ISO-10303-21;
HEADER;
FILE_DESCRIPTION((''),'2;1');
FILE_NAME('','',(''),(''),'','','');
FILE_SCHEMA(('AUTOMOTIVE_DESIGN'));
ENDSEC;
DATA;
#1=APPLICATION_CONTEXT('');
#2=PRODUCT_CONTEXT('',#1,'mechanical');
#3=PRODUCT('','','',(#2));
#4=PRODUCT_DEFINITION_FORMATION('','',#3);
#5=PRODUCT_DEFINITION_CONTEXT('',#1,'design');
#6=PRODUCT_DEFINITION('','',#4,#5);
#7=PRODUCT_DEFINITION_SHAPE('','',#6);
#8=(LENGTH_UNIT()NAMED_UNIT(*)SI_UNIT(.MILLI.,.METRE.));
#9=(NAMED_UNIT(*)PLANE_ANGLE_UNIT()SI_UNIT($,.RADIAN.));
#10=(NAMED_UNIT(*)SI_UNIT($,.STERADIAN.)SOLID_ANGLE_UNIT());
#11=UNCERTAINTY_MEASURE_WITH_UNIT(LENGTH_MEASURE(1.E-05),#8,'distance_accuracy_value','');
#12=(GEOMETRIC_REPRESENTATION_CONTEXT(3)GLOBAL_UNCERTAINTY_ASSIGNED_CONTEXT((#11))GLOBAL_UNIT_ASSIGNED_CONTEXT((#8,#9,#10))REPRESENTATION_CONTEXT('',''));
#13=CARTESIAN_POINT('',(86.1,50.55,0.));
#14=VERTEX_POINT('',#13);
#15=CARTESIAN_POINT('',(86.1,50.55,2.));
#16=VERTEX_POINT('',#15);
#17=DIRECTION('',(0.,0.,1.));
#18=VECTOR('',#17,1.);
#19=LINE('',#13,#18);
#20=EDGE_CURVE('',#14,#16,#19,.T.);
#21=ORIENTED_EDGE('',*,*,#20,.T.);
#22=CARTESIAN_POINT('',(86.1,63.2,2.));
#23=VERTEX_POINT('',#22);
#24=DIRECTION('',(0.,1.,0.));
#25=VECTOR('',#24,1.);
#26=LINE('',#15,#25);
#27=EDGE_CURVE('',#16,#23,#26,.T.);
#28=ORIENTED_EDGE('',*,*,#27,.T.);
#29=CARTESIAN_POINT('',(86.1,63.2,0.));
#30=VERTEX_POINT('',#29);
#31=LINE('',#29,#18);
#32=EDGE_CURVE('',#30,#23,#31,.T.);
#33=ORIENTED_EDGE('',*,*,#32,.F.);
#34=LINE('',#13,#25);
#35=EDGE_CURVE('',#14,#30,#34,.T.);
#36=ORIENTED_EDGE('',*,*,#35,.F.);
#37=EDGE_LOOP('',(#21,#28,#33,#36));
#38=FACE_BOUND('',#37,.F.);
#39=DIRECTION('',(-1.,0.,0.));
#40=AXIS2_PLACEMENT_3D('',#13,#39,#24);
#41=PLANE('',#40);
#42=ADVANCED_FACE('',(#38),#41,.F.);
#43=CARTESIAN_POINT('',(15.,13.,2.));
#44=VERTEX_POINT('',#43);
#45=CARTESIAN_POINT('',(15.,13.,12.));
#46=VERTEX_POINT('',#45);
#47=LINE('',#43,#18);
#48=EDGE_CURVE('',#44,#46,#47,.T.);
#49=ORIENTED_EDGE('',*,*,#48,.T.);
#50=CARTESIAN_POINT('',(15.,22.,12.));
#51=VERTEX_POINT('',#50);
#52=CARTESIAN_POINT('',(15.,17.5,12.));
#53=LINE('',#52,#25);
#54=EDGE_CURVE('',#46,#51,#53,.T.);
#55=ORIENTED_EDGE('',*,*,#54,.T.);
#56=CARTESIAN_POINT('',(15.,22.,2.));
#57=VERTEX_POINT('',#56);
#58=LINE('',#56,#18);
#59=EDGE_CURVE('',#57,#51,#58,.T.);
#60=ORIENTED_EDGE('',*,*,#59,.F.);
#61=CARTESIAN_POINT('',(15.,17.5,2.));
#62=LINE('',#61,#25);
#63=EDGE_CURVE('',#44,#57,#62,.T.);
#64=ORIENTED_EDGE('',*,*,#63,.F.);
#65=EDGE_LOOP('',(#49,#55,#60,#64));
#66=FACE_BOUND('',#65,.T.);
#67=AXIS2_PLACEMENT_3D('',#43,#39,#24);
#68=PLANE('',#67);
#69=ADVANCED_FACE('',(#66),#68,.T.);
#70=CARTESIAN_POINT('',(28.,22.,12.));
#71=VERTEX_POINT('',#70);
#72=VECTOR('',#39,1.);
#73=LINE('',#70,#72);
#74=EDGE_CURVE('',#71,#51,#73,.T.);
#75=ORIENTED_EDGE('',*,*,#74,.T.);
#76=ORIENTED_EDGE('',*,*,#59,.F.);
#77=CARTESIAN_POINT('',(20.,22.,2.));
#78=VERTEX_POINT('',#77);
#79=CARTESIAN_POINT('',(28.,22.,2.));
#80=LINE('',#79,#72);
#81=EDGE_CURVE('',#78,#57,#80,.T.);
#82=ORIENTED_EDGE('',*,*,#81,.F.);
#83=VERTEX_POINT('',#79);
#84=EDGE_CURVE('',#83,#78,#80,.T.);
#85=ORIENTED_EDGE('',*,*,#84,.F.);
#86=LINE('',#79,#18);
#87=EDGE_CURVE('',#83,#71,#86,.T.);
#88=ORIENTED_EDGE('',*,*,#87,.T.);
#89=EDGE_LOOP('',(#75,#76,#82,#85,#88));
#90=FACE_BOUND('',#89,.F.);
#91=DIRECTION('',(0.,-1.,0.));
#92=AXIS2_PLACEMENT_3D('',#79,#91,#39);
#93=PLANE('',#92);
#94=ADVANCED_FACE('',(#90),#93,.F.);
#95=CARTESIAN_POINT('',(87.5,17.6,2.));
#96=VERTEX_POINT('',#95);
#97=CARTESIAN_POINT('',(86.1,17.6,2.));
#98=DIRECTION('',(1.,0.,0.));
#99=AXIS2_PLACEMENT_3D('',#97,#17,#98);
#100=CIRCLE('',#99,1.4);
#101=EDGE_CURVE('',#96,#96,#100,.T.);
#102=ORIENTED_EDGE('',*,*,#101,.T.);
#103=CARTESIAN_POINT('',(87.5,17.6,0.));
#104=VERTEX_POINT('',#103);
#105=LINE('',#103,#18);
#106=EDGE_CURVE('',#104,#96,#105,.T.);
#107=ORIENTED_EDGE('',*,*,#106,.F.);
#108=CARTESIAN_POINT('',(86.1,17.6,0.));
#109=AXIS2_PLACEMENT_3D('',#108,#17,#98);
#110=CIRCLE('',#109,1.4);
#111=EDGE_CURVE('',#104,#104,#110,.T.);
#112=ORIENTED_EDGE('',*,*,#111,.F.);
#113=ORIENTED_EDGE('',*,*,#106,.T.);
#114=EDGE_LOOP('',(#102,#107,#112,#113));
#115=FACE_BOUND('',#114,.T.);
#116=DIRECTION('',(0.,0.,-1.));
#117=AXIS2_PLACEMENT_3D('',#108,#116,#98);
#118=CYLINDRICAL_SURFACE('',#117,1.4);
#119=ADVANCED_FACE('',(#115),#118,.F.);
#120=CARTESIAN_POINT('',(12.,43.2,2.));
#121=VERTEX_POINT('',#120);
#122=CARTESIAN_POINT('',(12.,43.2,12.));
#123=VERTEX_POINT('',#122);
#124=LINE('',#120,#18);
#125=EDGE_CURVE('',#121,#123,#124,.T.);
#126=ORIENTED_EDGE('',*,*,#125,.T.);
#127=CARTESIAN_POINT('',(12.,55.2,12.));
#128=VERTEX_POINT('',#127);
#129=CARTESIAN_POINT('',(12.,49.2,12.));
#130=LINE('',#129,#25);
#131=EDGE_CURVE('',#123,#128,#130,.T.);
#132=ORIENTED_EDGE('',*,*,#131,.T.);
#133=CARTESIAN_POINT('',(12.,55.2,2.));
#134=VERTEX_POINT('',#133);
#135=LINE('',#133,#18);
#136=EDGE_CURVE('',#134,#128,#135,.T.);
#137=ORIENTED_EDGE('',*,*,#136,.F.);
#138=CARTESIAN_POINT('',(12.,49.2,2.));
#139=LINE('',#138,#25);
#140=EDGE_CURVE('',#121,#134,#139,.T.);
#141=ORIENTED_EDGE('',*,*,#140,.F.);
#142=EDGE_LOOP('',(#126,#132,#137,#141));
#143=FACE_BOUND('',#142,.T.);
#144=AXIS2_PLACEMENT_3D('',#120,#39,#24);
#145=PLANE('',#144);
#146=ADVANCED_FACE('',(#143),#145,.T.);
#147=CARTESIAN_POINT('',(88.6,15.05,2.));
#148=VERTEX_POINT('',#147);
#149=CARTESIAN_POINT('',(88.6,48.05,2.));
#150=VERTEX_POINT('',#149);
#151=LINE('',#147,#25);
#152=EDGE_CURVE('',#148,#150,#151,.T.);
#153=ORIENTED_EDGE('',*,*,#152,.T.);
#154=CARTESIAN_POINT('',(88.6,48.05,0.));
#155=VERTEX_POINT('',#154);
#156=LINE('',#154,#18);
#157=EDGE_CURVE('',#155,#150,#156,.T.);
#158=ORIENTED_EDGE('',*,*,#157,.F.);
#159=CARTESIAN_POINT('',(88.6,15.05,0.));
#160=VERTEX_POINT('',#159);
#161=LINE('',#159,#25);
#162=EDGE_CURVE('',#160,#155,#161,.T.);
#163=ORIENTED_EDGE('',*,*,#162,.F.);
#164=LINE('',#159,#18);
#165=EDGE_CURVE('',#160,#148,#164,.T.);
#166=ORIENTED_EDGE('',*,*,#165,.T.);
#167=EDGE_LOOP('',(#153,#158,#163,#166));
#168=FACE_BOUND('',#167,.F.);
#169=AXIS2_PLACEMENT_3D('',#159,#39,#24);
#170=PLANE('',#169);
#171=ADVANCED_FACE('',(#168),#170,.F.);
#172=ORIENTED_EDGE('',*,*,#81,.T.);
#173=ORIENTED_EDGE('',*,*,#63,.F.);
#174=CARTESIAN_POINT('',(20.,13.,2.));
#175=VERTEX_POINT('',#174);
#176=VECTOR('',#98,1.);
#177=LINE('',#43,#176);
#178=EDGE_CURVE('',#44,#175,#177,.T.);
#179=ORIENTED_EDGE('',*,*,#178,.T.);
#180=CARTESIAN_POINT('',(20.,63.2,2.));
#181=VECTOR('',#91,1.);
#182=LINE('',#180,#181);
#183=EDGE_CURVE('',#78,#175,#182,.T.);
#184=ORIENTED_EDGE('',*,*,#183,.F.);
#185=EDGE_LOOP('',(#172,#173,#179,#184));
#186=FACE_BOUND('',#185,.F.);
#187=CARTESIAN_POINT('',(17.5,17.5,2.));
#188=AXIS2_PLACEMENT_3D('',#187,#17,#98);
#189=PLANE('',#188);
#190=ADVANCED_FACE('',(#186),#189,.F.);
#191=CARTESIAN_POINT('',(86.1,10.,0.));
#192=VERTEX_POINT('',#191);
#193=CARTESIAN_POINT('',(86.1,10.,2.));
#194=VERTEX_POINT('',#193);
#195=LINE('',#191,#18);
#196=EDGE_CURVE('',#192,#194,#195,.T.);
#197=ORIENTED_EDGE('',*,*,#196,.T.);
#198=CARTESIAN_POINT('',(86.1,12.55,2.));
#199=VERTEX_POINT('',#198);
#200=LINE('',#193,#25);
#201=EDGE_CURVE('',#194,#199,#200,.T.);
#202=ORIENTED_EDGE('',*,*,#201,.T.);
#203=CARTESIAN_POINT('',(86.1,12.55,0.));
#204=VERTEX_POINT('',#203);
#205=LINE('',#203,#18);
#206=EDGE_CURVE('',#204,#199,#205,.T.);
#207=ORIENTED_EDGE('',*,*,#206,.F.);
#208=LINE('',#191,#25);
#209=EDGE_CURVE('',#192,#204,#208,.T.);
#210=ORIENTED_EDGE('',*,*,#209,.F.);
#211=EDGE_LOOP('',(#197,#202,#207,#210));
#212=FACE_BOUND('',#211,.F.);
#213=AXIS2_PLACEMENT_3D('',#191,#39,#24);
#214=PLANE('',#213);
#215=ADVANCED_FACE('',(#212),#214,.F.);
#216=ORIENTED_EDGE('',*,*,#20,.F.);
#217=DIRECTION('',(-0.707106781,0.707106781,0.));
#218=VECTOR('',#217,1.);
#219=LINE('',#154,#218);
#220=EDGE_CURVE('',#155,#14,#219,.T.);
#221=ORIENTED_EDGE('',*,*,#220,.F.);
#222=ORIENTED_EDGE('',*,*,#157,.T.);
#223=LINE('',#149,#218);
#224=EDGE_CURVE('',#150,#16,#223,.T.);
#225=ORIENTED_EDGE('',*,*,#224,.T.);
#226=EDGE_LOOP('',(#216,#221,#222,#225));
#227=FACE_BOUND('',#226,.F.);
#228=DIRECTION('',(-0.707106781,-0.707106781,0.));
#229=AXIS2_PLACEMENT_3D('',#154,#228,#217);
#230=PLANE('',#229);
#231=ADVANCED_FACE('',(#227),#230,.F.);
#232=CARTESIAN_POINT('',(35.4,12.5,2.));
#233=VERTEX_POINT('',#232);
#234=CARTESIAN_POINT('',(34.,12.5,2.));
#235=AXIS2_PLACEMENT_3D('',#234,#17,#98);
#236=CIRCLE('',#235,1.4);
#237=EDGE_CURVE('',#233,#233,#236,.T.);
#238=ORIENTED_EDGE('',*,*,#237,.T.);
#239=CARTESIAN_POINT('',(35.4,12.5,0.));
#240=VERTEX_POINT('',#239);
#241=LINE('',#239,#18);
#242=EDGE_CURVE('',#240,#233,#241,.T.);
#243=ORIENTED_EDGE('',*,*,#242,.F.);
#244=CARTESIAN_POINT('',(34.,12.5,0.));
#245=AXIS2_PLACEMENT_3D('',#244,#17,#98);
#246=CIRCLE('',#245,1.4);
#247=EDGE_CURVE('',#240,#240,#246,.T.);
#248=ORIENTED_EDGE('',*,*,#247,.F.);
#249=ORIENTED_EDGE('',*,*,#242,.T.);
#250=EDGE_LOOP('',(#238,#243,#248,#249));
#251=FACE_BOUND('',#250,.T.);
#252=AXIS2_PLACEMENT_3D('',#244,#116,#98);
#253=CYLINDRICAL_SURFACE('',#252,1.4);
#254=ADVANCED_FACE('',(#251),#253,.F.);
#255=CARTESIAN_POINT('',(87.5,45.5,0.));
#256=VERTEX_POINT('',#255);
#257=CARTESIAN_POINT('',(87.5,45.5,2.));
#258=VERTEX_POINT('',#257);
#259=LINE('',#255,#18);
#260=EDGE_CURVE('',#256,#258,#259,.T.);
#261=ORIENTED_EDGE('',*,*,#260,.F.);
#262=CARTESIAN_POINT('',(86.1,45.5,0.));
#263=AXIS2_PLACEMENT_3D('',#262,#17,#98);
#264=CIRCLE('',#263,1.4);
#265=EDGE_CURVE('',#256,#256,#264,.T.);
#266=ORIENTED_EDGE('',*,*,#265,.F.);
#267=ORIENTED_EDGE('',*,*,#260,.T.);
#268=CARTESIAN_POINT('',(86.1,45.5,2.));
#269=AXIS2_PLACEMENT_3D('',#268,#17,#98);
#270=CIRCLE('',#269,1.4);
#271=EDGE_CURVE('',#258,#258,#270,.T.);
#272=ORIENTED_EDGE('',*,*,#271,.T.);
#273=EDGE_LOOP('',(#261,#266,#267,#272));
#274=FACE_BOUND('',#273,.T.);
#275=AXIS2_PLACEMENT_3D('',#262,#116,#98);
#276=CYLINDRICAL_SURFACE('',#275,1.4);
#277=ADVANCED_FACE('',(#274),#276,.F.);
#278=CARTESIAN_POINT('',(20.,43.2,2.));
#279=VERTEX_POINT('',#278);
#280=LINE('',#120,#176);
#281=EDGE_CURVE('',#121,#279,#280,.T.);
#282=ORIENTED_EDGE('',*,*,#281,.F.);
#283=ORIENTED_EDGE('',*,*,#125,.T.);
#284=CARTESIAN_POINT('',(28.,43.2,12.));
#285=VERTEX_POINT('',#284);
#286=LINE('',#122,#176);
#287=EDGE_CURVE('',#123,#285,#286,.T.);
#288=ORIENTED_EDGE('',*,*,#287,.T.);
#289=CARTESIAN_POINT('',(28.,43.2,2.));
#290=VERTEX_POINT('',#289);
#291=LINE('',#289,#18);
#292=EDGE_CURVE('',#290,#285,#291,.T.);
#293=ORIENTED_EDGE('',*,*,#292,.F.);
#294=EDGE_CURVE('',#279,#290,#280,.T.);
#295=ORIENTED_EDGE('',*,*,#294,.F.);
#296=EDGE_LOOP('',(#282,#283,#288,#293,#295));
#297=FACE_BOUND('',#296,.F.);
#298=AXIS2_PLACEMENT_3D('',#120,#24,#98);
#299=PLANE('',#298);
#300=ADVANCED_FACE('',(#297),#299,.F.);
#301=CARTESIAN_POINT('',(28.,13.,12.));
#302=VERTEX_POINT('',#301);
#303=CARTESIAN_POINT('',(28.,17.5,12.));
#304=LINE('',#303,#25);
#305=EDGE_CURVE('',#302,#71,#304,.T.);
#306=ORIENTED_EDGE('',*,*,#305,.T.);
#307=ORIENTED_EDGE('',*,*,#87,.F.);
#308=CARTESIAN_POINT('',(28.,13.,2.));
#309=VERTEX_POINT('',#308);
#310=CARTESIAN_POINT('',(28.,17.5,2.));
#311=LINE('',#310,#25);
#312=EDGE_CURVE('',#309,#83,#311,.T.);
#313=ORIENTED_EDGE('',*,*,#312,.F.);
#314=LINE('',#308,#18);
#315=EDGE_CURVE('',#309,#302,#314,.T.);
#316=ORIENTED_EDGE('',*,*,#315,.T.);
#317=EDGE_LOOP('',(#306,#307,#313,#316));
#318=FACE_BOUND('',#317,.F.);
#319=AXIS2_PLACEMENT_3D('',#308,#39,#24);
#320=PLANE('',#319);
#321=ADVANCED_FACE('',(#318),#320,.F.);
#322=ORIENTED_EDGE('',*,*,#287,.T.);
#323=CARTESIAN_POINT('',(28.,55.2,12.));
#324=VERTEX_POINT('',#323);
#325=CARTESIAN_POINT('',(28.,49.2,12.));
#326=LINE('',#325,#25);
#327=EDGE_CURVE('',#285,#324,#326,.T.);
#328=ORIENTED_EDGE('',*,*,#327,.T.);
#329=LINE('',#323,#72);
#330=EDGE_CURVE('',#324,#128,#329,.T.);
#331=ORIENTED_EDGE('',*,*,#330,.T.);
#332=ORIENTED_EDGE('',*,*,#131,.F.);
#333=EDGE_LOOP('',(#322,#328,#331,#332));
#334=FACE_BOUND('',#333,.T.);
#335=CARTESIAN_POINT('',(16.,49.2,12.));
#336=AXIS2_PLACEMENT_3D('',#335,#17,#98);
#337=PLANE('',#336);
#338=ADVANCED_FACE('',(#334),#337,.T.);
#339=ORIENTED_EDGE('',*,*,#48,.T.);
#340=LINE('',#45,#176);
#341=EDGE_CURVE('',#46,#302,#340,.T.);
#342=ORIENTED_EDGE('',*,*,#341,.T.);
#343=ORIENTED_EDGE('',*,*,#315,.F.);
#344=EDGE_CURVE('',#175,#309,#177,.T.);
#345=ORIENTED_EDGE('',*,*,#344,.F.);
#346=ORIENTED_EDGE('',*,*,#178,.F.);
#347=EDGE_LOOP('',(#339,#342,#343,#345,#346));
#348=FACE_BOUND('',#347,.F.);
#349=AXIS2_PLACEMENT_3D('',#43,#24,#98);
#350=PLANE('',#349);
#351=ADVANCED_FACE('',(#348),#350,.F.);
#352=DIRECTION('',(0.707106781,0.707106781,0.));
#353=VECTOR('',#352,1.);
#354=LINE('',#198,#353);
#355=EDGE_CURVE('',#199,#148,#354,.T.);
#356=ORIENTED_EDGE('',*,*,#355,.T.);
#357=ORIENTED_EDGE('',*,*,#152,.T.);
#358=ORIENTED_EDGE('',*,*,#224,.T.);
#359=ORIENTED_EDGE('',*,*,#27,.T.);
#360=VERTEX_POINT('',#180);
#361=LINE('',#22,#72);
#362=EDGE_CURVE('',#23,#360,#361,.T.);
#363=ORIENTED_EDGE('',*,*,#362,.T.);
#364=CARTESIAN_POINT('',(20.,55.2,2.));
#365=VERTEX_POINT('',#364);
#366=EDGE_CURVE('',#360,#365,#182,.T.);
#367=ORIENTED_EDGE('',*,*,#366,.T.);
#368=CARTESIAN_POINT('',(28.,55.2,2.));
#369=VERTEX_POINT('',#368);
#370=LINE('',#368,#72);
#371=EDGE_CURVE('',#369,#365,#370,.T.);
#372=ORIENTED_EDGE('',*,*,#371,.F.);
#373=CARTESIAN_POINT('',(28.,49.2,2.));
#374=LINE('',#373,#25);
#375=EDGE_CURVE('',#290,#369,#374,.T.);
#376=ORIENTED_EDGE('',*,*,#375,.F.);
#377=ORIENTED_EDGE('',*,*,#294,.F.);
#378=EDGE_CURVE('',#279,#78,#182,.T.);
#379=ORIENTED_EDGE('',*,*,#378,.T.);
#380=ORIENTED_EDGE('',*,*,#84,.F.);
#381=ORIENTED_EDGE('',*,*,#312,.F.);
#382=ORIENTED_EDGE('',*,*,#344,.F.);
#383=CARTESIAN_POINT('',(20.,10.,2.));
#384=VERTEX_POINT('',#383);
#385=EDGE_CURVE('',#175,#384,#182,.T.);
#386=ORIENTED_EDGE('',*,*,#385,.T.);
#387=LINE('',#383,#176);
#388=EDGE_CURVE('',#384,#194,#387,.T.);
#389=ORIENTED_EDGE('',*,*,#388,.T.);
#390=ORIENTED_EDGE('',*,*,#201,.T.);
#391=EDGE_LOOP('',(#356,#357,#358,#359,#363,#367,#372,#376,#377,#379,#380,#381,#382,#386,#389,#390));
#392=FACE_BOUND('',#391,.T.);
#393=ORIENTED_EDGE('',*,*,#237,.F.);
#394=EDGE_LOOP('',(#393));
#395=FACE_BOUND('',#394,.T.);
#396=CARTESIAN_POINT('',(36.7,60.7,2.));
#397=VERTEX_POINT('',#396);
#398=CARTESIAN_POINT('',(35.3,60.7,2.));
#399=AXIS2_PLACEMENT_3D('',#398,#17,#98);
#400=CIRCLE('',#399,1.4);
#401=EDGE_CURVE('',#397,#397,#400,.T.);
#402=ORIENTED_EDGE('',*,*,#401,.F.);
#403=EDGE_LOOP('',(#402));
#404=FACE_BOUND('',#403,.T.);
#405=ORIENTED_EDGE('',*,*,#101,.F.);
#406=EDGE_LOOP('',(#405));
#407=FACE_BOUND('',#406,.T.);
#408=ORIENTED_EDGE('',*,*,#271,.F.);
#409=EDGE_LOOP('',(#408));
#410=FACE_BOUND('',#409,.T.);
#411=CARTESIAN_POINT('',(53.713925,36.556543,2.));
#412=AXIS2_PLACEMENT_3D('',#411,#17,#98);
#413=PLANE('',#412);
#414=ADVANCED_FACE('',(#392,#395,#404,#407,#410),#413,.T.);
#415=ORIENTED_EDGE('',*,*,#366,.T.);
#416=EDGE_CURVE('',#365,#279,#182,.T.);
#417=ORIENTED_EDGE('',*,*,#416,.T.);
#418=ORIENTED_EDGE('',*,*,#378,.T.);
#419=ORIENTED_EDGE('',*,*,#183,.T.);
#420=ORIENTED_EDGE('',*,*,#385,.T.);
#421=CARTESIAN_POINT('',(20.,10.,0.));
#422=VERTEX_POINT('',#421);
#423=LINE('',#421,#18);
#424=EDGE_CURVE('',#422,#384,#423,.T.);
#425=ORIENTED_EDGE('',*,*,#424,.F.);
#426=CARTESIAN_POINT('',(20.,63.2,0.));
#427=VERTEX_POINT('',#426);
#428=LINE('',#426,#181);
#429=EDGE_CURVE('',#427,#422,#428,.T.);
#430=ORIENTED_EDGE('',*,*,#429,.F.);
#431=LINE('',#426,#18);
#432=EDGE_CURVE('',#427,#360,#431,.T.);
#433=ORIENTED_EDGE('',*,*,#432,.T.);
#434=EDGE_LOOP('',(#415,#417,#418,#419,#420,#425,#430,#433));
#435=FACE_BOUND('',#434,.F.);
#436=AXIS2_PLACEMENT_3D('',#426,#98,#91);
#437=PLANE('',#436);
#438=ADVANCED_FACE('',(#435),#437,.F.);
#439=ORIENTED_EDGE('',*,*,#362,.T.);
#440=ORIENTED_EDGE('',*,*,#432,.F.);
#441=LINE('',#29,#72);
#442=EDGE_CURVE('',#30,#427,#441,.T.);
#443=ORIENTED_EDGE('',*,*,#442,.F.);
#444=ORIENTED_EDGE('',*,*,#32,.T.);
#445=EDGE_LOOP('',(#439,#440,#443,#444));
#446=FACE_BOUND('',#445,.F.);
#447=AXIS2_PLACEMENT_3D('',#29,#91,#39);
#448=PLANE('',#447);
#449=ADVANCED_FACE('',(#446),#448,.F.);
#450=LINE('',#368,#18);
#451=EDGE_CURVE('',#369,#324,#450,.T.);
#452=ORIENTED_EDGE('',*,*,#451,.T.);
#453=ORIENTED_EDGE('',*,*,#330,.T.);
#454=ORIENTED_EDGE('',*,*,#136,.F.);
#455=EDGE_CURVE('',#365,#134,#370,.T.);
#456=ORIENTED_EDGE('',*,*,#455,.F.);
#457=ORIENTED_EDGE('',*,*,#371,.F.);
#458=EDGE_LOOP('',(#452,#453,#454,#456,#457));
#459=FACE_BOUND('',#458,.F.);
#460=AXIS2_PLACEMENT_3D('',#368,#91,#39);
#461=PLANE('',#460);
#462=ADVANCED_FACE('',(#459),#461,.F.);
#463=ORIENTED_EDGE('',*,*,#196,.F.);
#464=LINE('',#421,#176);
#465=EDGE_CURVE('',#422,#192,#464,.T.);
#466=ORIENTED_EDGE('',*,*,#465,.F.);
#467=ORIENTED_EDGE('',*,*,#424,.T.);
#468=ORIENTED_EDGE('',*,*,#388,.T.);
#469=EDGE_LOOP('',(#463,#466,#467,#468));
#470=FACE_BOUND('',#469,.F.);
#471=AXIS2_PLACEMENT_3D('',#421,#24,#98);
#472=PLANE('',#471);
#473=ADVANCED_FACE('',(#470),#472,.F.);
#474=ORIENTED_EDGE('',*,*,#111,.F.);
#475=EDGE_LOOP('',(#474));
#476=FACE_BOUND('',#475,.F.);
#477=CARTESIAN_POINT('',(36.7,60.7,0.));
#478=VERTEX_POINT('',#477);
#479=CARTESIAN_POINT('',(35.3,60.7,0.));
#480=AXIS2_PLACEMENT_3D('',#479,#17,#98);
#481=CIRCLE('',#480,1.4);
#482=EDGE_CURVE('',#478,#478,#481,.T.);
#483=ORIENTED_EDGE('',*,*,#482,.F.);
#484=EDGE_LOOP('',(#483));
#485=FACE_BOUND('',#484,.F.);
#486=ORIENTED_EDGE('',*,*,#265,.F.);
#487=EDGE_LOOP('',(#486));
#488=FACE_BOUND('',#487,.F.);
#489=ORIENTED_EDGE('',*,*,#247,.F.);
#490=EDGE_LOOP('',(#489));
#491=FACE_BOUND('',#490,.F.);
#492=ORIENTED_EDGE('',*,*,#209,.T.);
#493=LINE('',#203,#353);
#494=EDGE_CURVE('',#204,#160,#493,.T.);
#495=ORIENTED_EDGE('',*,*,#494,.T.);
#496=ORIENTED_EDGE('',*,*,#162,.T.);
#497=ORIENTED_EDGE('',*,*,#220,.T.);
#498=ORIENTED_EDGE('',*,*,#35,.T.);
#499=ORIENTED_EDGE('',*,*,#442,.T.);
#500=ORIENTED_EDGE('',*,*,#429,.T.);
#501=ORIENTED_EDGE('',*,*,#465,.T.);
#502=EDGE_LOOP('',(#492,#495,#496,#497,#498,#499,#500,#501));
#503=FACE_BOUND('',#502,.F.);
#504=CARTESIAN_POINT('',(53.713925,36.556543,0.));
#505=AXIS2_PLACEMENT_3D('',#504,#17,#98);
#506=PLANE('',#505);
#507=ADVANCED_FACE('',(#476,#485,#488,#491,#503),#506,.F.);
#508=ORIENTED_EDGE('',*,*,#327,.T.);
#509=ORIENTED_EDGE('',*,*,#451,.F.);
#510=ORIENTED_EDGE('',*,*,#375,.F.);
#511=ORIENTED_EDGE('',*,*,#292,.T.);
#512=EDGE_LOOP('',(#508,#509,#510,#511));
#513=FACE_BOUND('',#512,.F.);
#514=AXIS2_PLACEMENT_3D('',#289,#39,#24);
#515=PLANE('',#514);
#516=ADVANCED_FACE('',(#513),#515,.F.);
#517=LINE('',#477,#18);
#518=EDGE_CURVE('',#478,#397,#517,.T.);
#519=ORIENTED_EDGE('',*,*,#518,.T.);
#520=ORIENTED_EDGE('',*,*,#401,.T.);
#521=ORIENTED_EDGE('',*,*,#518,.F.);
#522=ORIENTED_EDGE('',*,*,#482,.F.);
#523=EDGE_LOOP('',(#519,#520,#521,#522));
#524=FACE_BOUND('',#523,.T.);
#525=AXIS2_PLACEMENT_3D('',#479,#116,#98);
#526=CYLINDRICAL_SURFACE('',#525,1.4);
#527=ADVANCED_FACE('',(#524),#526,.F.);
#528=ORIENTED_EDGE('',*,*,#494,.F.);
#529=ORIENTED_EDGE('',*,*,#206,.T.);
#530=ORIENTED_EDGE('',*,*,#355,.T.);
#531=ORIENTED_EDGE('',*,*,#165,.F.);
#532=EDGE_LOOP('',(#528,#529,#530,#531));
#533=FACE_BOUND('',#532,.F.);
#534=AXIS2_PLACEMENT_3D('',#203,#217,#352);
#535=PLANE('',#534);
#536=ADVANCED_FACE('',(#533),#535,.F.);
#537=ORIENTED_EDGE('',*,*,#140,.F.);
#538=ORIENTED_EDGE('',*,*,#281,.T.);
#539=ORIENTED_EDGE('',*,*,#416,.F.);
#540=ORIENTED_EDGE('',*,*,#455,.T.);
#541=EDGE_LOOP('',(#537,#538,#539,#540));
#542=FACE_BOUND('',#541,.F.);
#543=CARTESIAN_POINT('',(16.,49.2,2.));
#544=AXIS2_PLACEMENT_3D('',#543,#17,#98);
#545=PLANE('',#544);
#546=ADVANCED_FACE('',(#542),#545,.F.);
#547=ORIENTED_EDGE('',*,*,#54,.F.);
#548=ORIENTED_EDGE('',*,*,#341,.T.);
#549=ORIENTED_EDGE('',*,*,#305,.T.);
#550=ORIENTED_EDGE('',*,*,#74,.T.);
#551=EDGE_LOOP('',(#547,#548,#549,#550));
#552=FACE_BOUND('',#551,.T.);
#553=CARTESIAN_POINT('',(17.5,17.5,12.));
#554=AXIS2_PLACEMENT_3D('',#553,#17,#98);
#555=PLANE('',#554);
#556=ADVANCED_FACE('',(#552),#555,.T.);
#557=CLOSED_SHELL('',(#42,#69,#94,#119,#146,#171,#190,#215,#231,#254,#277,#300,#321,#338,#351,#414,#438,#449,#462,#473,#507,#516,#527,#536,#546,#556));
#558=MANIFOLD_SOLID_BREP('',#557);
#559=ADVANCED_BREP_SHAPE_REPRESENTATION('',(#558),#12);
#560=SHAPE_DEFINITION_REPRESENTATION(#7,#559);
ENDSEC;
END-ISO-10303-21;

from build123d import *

# Parameters (mm, degrees)
F0_R     = 1.4
F1_DEPTH = 2
F2_W     = 8
F2_H     = 12
F2_W_2   = 5
F2_H_2   = 9
F3_DEPTH = 10


with BuildPart() as f1:
    # F0 (on Top) → F1 (new body)
    with BuildSketch(Plane.XY):
        Polygon((86.1, 63.2), (20, 63.2), (20, 10), (86.1, 10), (86.1, 12.55), (88.6, 15.05), (88.6, 48.05), (86.1, 50.55), align=None)
        with Locations((34, 12.5)):
            Circle(F0_R, mode=Mode.SUBTRACT)
        with Locations((86.1, 17.6)):
            Circle(F0_R, mode=Mode.SUBTRACT)
        with Locations((35.3, 60.7)):
            Circle(F0_R, mode=Mode.SUBTRACT)
        with Locations((86.1, 45.5)):
            Circle(F0_R, mode=Mode.SUBTRACT)
    extrude(amount=F1_DEPTH)

    # F2 (on face) → F3 (join)
    with BuildSketch(Plane.XY.offset(2)):
        with Locations((16, 49.2)):
            Rectangle(F2_W, F2_H)
        with Locations((24, 49.2)):
            Rectangle(F2_W, F2_H)
        with Locations((17.5, 17.5)):
            Rectangle(F2_W_2, F2_H_2)
        with Locations((24, 17.5)):
            Rectangle(F2_W, F2_H_2)
    extrude(amount=F3_DEPTH)


solid = f1.part
